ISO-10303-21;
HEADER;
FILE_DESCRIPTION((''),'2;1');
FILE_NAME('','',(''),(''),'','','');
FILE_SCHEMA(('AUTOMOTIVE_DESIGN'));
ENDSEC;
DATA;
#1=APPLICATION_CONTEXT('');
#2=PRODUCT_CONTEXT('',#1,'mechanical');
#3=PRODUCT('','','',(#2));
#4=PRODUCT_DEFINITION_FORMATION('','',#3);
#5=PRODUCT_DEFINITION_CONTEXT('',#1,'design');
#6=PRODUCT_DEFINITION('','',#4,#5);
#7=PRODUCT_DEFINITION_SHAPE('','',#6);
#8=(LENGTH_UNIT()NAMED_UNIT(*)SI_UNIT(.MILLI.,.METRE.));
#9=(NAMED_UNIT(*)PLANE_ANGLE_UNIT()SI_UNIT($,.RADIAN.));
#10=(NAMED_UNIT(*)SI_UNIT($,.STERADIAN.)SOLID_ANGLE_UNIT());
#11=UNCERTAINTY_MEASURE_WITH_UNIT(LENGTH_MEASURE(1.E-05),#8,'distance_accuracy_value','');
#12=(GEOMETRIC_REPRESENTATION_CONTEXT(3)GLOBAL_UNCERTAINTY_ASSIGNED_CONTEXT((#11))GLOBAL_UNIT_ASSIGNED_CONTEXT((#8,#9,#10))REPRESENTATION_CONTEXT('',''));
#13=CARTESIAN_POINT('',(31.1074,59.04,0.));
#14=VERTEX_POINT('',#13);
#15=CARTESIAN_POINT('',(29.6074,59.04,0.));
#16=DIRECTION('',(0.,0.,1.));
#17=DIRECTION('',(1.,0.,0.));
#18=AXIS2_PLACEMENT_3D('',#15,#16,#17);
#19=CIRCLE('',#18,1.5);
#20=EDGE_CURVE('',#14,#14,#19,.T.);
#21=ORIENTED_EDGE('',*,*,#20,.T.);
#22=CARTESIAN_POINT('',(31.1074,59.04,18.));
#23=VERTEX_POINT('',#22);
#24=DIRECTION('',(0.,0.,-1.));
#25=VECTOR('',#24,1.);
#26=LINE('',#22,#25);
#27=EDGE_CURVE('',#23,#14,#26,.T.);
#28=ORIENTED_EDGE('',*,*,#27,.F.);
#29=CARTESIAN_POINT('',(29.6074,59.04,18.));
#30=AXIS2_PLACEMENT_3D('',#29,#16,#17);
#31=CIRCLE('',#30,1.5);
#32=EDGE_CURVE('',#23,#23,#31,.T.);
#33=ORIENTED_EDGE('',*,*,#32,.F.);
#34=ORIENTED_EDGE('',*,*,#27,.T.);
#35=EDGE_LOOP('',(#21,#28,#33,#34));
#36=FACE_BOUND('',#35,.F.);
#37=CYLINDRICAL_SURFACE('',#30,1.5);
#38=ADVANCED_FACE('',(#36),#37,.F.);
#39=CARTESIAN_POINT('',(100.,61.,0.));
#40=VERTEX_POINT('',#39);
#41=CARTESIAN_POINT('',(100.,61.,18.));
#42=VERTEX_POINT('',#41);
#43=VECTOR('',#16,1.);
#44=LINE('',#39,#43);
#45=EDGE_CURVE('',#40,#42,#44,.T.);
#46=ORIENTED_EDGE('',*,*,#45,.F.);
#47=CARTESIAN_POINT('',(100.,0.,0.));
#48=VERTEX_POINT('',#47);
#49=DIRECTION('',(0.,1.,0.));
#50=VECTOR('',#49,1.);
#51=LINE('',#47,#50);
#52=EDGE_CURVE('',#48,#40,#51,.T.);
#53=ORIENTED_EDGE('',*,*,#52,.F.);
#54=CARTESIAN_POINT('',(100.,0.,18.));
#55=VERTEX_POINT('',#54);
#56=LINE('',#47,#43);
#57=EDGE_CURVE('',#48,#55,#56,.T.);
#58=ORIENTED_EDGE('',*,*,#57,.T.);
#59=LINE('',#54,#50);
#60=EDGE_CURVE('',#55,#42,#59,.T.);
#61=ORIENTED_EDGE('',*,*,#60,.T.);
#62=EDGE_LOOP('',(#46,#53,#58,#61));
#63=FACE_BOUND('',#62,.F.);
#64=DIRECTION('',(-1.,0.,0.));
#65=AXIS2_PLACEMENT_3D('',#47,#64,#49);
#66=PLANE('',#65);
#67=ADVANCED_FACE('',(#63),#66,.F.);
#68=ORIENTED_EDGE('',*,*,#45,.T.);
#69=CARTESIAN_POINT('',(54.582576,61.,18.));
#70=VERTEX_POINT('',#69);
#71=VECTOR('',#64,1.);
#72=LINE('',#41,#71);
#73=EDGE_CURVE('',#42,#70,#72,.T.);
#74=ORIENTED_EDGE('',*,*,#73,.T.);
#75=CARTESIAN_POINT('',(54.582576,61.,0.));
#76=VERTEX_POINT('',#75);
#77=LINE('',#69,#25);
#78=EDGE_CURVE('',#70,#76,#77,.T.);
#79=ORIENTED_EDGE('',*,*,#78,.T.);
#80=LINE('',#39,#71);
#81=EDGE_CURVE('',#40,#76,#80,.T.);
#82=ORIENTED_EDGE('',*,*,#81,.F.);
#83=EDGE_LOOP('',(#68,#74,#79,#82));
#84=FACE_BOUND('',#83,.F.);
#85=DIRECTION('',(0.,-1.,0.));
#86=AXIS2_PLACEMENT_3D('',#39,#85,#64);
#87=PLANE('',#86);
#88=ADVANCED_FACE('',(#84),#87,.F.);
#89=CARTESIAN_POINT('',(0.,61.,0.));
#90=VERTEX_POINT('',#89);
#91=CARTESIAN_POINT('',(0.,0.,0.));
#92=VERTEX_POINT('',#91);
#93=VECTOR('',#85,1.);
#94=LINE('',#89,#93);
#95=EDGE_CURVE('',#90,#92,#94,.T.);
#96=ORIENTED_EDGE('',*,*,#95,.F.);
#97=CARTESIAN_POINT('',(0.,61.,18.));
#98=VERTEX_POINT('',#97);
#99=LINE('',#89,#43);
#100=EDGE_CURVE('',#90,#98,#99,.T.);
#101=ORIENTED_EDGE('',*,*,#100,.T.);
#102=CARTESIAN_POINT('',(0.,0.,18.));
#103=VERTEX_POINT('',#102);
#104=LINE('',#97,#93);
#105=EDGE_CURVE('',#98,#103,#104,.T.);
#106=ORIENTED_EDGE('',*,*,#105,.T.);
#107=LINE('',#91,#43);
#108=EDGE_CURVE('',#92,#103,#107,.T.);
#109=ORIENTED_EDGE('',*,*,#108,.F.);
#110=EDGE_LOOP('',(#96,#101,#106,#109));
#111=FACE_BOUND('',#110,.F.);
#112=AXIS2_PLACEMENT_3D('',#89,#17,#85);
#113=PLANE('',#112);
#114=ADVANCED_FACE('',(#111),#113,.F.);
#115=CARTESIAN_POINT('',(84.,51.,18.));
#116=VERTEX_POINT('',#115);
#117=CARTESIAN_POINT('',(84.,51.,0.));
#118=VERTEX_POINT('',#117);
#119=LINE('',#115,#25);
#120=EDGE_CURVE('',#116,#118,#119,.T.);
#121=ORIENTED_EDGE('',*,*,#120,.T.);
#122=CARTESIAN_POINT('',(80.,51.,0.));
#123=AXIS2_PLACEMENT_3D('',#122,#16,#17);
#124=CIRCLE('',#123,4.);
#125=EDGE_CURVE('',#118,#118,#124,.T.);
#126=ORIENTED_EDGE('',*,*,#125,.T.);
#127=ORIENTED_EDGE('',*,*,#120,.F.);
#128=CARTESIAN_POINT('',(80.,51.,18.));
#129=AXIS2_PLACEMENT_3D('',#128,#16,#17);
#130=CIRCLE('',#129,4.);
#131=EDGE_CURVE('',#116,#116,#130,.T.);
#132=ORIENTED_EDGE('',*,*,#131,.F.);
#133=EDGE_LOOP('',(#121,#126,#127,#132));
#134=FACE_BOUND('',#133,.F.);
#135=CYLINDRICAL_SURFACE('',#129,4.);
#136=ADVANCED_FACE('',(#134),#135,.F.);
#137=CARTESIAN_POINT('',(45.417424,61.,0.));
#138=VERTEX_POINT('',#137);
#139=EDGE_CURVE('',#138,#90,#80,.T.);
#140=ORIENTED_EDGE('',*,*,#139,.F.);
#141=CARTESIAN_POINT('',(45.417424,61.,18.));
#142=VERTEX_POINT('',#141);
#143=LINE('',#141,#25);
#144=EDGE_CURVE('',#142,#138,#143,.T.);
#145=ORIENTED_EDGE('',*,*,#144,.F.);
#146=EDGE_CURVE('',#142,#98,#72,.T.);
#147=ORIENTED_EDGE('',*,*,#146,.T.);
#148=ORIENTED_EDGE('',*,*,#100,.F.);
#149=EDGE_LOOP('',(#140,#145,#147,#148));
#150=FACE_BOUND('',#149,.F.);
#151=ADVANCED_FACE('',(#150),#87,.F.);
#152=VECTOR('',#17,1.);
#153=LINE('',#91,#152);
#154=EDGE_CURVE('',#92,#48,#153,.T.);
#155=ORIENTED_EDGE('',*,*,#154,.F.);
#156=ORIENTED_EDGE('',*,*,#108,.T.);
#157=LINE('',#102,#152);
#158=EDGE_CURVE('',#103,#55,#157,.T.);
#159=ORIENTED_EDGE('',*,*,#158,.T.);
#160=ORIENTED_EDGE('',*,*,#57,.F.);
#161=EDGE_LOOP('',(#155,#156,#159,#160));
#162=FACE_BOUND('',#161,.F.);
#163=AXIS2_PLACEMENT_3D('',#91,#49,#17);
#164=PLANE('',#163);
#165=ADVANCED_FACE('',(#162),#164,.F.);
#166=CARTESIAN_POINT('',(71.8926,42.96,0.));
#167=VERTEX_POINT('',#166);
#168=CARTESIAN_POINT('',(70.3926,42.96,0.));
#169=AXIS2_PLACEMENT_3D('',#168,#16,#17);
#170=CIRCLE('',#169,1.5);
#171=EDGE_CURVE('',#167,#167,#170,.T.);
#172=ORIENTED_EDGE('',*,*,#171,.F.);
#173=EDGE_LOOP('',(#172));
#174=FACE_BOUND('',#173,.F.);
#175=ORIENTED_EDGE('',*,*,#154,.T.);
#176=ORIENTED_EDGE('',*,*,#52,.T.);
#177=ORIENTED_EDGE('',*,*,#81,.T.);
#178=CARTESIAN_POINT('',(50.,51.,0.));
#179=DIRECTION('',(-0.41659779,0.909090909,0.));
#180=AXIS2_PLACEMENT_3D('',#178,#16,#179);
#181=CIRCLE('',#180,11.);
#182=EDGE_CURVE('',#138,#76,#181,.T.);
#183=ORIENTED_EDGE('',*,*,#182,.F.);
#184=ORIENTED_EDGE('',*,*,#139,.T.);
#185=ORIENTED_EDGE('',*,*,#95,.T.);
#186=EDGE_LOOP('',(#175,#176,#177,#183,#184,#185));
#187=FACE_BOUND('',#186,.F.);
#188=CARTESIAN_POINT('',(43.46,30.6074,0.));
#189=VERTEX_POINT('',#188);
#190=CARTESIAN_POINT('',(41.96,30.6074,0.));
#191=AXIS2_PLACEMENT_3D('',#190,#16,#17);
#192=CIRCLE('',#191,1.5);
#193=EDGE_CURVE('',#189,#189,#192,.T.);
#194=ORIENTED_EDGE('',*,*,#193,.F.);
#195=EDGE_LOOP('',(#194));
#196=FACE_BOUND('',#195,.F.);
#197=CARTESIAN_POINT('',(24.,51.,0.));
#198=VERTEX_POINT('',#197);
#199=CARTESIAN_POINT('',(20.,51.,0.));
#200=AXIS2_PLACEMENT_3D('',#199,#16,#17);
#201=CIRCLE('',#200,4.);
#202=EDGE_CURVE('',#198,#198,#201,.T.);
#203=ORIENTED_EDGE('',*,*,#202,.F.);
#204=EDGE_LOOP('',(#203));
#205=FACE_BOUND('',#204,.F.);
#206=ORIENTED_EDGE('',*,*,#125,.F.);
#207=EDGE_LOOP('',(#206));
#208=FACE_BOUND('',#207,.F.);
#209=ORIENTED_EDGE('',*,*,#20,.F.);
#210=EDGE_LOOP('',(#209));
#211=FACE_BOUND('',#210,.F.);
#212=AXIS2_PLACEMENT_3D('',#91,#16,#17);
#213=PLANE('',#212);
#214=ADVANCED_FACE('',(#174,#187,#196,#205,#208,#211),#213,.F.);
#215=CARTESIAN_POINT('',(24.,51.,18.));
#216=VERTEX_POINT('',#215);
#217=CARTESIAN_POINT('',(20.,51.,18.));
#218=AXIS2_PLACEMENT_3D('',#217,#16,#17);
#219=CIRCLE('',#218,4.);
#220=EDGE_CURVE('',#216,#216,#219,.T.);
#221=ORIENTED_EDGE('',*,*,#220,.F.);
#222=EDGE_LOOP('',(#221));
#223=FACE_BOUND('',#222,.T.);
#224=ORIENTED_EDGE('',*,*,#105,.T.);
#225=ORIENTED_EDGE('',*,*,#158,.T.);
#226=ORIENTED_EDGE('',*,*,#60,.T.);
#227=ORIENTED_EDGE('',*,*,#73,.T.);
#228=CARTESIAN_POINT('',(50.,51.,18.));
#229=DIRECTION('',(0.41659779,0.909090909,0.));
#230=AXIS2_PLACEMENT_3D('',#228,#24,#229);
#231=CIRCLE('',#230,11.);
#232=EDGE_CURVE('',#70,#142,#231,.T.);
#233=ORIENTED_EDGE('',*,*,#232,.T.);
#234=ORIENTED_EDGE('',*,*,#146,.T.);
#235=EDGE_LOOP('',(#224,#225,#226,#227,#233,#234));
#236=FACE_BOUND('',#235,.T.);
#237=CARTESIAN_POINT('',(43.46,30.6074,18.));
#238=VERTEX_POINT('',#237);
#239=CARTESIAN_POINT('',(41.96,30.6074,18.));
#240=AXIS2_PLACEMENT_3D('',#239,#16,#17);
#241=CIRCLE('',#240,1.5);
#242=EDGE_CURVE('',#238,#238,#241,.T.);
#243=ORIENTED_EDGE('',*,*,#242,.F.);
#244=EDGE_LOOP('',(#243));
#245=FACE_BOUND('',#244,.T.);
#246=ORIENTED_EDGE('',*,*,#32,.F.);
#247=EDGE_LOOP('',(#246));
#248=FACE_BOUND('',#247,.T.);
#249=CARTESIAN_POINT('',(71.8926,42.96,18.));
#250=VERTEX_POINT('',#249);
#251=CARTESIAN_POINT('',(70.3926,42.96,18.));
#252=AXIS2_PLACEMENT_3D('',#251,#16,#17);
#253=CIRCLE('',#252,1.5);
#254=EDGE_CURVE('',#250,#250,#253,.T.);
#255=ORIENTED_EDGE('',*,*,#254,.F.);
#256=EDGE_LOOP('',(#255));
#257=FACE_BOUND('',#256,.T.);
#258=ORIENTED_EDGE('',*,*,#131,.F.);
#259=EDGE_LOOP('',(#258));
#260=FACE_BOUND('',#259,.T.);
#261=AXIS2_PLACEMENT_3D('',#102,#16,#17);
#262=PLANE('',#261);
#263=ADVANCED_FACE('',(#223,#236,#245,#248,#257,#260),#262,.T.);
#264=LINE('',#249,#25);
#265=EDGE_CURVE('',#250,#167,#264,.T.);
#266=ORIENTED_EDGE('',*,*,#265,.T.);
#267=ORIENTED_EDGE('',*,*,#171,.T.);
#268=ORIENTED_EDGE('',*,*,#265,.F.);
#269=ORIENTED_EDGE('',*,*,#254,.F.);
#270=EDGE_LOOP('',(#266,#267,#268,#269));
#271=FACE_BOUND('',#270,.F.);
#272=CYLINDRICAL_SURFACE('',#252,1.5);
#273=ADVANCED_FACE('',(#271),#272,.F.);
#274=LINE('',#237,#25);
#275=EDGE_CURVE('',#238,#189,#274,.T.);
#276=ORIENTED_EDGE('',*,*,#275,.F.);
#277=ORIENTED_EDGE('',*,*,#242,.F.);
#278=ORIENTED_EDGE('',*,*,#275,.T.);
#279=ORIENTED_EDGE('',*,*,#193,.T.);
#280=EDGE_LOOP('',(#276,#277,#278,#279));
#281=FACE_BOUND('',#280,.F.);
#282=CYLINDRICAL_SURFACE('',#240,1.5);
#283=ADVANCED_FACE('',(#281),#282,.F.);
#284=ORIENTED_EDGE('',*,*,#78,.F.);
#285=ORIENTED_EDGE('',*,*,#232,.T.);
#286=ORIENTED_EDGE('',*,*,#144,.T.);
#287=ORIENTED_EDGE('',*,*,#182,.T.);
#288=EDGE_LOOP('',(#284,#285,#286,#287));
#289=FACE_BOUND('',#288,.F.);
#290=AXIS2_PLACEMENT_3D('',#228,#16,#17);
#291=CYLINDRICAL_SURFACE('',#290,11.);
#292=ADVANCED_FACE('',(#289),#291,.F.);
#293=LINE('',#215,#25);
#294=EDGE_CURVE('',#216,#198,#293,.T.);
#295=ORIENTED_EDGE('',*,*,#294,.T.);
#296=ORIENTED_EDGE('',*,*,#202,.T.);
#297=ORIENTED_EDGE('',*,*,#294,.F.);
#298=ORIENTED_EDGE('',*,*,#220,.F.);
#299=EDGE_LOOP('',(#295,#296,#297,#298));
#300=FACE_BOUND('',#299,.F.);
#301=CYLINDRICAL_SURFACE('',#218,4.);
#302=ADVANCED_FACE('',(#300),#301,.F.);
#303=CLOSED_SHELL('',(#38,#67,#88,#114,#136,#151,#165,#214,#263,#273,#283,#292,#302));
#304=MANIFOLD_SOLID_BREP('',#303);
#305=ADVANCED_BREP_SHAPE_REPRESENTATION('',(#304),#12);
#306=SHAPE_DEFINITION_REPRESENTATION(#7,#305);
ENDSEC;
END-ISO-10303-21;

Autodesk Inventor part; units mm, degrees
ref_plane "YZ Plane" through (0, 0, 0) normal (1, 0, 0) x (0, 1, 0)
ref_plane "XZ Plane" through (0, 0, 0) normal (0, 1, 0) x (-1, 0, 0)
ref_plane "XY Plane" through (0, 0, 0) normal (0, 0, 1) x (1, 0, 0)
sketch "Boceto1" plane through (0, 0, 0) normal (0, 0, 1) x (1, 0, 0)
  line L0 (0, 0) -> (100, 0)
  line L1 (100, 0) -> (100, 61)
  line L2 (100, 61) -> (0, 61)
  line L3 (0, 61) -> (0, 0)
  dimension "d0" = 61
  dimension "d1" = 100
extrude "Extrusión1" add sketch "Boceto1" along normal blind 18
sketch "Boceto2" plane through (0, 0, 18) normal (0, 0, 1) x (1, 0, 0)
  circle A0 centre (50, 51) radius 11
  line L0 (0, 61) -> (0, 0) projected
  line L1 (100, 61) -> (0, 61) projected
  line L2 (50, 51) -> (20, 51) construction
  circle A1 centre (20, 51) radius 4
  line L3 (50, 51) -> (50, 22.8333) construction
  circle A2 centre (80, 51) radius 4
  circle A3 centre (29.6074, 59.04) radius 1.5
  line L4 (29.6074, 59.04) -> (50, 51) construction
  line L5 (50, 51) -> (78.7272, 39.674) construction
  circle A4 centre (70.3926, 42.96) radius 1.5
  line L6 (50, 51) -> (39.3624, 24.0188) construction
  circle A5 centre (41.96, 30.6074) radius 1.5
  line L7 (50, 51) -> (25.0918, 40.1786)
  line L8 (50, 51) -> (59.4119, 29.3362)
  point P0 (54.5826, 61)
  point P1 (45.4174, 61)
  dimension "d4" = 22
  dimension "d5" = 50
  dimension "d6" = 10
  dimension "d7" = 8
  dimension "d8" = 30
  dimension "d9" = 3
  dimension "d10" = 1.96
  dimension "d12" = 3
  dimension "d13" = 90
  dimension "d14" = 3
  dimension "d17" = 45
  dimension "d18" = 15.5
  dimension "d19" = 15.5
  dimension "d20" = 45
  dimension "d21" = 15.5
extrude "Extrusión2" cut sketch "Boceto2" against normal blind 18 contours A0 L8 L7 L1 | A0 L7 L8 | A1 | A2 | A3 | A4 | A5
properties part number "012" material "CFRP"
